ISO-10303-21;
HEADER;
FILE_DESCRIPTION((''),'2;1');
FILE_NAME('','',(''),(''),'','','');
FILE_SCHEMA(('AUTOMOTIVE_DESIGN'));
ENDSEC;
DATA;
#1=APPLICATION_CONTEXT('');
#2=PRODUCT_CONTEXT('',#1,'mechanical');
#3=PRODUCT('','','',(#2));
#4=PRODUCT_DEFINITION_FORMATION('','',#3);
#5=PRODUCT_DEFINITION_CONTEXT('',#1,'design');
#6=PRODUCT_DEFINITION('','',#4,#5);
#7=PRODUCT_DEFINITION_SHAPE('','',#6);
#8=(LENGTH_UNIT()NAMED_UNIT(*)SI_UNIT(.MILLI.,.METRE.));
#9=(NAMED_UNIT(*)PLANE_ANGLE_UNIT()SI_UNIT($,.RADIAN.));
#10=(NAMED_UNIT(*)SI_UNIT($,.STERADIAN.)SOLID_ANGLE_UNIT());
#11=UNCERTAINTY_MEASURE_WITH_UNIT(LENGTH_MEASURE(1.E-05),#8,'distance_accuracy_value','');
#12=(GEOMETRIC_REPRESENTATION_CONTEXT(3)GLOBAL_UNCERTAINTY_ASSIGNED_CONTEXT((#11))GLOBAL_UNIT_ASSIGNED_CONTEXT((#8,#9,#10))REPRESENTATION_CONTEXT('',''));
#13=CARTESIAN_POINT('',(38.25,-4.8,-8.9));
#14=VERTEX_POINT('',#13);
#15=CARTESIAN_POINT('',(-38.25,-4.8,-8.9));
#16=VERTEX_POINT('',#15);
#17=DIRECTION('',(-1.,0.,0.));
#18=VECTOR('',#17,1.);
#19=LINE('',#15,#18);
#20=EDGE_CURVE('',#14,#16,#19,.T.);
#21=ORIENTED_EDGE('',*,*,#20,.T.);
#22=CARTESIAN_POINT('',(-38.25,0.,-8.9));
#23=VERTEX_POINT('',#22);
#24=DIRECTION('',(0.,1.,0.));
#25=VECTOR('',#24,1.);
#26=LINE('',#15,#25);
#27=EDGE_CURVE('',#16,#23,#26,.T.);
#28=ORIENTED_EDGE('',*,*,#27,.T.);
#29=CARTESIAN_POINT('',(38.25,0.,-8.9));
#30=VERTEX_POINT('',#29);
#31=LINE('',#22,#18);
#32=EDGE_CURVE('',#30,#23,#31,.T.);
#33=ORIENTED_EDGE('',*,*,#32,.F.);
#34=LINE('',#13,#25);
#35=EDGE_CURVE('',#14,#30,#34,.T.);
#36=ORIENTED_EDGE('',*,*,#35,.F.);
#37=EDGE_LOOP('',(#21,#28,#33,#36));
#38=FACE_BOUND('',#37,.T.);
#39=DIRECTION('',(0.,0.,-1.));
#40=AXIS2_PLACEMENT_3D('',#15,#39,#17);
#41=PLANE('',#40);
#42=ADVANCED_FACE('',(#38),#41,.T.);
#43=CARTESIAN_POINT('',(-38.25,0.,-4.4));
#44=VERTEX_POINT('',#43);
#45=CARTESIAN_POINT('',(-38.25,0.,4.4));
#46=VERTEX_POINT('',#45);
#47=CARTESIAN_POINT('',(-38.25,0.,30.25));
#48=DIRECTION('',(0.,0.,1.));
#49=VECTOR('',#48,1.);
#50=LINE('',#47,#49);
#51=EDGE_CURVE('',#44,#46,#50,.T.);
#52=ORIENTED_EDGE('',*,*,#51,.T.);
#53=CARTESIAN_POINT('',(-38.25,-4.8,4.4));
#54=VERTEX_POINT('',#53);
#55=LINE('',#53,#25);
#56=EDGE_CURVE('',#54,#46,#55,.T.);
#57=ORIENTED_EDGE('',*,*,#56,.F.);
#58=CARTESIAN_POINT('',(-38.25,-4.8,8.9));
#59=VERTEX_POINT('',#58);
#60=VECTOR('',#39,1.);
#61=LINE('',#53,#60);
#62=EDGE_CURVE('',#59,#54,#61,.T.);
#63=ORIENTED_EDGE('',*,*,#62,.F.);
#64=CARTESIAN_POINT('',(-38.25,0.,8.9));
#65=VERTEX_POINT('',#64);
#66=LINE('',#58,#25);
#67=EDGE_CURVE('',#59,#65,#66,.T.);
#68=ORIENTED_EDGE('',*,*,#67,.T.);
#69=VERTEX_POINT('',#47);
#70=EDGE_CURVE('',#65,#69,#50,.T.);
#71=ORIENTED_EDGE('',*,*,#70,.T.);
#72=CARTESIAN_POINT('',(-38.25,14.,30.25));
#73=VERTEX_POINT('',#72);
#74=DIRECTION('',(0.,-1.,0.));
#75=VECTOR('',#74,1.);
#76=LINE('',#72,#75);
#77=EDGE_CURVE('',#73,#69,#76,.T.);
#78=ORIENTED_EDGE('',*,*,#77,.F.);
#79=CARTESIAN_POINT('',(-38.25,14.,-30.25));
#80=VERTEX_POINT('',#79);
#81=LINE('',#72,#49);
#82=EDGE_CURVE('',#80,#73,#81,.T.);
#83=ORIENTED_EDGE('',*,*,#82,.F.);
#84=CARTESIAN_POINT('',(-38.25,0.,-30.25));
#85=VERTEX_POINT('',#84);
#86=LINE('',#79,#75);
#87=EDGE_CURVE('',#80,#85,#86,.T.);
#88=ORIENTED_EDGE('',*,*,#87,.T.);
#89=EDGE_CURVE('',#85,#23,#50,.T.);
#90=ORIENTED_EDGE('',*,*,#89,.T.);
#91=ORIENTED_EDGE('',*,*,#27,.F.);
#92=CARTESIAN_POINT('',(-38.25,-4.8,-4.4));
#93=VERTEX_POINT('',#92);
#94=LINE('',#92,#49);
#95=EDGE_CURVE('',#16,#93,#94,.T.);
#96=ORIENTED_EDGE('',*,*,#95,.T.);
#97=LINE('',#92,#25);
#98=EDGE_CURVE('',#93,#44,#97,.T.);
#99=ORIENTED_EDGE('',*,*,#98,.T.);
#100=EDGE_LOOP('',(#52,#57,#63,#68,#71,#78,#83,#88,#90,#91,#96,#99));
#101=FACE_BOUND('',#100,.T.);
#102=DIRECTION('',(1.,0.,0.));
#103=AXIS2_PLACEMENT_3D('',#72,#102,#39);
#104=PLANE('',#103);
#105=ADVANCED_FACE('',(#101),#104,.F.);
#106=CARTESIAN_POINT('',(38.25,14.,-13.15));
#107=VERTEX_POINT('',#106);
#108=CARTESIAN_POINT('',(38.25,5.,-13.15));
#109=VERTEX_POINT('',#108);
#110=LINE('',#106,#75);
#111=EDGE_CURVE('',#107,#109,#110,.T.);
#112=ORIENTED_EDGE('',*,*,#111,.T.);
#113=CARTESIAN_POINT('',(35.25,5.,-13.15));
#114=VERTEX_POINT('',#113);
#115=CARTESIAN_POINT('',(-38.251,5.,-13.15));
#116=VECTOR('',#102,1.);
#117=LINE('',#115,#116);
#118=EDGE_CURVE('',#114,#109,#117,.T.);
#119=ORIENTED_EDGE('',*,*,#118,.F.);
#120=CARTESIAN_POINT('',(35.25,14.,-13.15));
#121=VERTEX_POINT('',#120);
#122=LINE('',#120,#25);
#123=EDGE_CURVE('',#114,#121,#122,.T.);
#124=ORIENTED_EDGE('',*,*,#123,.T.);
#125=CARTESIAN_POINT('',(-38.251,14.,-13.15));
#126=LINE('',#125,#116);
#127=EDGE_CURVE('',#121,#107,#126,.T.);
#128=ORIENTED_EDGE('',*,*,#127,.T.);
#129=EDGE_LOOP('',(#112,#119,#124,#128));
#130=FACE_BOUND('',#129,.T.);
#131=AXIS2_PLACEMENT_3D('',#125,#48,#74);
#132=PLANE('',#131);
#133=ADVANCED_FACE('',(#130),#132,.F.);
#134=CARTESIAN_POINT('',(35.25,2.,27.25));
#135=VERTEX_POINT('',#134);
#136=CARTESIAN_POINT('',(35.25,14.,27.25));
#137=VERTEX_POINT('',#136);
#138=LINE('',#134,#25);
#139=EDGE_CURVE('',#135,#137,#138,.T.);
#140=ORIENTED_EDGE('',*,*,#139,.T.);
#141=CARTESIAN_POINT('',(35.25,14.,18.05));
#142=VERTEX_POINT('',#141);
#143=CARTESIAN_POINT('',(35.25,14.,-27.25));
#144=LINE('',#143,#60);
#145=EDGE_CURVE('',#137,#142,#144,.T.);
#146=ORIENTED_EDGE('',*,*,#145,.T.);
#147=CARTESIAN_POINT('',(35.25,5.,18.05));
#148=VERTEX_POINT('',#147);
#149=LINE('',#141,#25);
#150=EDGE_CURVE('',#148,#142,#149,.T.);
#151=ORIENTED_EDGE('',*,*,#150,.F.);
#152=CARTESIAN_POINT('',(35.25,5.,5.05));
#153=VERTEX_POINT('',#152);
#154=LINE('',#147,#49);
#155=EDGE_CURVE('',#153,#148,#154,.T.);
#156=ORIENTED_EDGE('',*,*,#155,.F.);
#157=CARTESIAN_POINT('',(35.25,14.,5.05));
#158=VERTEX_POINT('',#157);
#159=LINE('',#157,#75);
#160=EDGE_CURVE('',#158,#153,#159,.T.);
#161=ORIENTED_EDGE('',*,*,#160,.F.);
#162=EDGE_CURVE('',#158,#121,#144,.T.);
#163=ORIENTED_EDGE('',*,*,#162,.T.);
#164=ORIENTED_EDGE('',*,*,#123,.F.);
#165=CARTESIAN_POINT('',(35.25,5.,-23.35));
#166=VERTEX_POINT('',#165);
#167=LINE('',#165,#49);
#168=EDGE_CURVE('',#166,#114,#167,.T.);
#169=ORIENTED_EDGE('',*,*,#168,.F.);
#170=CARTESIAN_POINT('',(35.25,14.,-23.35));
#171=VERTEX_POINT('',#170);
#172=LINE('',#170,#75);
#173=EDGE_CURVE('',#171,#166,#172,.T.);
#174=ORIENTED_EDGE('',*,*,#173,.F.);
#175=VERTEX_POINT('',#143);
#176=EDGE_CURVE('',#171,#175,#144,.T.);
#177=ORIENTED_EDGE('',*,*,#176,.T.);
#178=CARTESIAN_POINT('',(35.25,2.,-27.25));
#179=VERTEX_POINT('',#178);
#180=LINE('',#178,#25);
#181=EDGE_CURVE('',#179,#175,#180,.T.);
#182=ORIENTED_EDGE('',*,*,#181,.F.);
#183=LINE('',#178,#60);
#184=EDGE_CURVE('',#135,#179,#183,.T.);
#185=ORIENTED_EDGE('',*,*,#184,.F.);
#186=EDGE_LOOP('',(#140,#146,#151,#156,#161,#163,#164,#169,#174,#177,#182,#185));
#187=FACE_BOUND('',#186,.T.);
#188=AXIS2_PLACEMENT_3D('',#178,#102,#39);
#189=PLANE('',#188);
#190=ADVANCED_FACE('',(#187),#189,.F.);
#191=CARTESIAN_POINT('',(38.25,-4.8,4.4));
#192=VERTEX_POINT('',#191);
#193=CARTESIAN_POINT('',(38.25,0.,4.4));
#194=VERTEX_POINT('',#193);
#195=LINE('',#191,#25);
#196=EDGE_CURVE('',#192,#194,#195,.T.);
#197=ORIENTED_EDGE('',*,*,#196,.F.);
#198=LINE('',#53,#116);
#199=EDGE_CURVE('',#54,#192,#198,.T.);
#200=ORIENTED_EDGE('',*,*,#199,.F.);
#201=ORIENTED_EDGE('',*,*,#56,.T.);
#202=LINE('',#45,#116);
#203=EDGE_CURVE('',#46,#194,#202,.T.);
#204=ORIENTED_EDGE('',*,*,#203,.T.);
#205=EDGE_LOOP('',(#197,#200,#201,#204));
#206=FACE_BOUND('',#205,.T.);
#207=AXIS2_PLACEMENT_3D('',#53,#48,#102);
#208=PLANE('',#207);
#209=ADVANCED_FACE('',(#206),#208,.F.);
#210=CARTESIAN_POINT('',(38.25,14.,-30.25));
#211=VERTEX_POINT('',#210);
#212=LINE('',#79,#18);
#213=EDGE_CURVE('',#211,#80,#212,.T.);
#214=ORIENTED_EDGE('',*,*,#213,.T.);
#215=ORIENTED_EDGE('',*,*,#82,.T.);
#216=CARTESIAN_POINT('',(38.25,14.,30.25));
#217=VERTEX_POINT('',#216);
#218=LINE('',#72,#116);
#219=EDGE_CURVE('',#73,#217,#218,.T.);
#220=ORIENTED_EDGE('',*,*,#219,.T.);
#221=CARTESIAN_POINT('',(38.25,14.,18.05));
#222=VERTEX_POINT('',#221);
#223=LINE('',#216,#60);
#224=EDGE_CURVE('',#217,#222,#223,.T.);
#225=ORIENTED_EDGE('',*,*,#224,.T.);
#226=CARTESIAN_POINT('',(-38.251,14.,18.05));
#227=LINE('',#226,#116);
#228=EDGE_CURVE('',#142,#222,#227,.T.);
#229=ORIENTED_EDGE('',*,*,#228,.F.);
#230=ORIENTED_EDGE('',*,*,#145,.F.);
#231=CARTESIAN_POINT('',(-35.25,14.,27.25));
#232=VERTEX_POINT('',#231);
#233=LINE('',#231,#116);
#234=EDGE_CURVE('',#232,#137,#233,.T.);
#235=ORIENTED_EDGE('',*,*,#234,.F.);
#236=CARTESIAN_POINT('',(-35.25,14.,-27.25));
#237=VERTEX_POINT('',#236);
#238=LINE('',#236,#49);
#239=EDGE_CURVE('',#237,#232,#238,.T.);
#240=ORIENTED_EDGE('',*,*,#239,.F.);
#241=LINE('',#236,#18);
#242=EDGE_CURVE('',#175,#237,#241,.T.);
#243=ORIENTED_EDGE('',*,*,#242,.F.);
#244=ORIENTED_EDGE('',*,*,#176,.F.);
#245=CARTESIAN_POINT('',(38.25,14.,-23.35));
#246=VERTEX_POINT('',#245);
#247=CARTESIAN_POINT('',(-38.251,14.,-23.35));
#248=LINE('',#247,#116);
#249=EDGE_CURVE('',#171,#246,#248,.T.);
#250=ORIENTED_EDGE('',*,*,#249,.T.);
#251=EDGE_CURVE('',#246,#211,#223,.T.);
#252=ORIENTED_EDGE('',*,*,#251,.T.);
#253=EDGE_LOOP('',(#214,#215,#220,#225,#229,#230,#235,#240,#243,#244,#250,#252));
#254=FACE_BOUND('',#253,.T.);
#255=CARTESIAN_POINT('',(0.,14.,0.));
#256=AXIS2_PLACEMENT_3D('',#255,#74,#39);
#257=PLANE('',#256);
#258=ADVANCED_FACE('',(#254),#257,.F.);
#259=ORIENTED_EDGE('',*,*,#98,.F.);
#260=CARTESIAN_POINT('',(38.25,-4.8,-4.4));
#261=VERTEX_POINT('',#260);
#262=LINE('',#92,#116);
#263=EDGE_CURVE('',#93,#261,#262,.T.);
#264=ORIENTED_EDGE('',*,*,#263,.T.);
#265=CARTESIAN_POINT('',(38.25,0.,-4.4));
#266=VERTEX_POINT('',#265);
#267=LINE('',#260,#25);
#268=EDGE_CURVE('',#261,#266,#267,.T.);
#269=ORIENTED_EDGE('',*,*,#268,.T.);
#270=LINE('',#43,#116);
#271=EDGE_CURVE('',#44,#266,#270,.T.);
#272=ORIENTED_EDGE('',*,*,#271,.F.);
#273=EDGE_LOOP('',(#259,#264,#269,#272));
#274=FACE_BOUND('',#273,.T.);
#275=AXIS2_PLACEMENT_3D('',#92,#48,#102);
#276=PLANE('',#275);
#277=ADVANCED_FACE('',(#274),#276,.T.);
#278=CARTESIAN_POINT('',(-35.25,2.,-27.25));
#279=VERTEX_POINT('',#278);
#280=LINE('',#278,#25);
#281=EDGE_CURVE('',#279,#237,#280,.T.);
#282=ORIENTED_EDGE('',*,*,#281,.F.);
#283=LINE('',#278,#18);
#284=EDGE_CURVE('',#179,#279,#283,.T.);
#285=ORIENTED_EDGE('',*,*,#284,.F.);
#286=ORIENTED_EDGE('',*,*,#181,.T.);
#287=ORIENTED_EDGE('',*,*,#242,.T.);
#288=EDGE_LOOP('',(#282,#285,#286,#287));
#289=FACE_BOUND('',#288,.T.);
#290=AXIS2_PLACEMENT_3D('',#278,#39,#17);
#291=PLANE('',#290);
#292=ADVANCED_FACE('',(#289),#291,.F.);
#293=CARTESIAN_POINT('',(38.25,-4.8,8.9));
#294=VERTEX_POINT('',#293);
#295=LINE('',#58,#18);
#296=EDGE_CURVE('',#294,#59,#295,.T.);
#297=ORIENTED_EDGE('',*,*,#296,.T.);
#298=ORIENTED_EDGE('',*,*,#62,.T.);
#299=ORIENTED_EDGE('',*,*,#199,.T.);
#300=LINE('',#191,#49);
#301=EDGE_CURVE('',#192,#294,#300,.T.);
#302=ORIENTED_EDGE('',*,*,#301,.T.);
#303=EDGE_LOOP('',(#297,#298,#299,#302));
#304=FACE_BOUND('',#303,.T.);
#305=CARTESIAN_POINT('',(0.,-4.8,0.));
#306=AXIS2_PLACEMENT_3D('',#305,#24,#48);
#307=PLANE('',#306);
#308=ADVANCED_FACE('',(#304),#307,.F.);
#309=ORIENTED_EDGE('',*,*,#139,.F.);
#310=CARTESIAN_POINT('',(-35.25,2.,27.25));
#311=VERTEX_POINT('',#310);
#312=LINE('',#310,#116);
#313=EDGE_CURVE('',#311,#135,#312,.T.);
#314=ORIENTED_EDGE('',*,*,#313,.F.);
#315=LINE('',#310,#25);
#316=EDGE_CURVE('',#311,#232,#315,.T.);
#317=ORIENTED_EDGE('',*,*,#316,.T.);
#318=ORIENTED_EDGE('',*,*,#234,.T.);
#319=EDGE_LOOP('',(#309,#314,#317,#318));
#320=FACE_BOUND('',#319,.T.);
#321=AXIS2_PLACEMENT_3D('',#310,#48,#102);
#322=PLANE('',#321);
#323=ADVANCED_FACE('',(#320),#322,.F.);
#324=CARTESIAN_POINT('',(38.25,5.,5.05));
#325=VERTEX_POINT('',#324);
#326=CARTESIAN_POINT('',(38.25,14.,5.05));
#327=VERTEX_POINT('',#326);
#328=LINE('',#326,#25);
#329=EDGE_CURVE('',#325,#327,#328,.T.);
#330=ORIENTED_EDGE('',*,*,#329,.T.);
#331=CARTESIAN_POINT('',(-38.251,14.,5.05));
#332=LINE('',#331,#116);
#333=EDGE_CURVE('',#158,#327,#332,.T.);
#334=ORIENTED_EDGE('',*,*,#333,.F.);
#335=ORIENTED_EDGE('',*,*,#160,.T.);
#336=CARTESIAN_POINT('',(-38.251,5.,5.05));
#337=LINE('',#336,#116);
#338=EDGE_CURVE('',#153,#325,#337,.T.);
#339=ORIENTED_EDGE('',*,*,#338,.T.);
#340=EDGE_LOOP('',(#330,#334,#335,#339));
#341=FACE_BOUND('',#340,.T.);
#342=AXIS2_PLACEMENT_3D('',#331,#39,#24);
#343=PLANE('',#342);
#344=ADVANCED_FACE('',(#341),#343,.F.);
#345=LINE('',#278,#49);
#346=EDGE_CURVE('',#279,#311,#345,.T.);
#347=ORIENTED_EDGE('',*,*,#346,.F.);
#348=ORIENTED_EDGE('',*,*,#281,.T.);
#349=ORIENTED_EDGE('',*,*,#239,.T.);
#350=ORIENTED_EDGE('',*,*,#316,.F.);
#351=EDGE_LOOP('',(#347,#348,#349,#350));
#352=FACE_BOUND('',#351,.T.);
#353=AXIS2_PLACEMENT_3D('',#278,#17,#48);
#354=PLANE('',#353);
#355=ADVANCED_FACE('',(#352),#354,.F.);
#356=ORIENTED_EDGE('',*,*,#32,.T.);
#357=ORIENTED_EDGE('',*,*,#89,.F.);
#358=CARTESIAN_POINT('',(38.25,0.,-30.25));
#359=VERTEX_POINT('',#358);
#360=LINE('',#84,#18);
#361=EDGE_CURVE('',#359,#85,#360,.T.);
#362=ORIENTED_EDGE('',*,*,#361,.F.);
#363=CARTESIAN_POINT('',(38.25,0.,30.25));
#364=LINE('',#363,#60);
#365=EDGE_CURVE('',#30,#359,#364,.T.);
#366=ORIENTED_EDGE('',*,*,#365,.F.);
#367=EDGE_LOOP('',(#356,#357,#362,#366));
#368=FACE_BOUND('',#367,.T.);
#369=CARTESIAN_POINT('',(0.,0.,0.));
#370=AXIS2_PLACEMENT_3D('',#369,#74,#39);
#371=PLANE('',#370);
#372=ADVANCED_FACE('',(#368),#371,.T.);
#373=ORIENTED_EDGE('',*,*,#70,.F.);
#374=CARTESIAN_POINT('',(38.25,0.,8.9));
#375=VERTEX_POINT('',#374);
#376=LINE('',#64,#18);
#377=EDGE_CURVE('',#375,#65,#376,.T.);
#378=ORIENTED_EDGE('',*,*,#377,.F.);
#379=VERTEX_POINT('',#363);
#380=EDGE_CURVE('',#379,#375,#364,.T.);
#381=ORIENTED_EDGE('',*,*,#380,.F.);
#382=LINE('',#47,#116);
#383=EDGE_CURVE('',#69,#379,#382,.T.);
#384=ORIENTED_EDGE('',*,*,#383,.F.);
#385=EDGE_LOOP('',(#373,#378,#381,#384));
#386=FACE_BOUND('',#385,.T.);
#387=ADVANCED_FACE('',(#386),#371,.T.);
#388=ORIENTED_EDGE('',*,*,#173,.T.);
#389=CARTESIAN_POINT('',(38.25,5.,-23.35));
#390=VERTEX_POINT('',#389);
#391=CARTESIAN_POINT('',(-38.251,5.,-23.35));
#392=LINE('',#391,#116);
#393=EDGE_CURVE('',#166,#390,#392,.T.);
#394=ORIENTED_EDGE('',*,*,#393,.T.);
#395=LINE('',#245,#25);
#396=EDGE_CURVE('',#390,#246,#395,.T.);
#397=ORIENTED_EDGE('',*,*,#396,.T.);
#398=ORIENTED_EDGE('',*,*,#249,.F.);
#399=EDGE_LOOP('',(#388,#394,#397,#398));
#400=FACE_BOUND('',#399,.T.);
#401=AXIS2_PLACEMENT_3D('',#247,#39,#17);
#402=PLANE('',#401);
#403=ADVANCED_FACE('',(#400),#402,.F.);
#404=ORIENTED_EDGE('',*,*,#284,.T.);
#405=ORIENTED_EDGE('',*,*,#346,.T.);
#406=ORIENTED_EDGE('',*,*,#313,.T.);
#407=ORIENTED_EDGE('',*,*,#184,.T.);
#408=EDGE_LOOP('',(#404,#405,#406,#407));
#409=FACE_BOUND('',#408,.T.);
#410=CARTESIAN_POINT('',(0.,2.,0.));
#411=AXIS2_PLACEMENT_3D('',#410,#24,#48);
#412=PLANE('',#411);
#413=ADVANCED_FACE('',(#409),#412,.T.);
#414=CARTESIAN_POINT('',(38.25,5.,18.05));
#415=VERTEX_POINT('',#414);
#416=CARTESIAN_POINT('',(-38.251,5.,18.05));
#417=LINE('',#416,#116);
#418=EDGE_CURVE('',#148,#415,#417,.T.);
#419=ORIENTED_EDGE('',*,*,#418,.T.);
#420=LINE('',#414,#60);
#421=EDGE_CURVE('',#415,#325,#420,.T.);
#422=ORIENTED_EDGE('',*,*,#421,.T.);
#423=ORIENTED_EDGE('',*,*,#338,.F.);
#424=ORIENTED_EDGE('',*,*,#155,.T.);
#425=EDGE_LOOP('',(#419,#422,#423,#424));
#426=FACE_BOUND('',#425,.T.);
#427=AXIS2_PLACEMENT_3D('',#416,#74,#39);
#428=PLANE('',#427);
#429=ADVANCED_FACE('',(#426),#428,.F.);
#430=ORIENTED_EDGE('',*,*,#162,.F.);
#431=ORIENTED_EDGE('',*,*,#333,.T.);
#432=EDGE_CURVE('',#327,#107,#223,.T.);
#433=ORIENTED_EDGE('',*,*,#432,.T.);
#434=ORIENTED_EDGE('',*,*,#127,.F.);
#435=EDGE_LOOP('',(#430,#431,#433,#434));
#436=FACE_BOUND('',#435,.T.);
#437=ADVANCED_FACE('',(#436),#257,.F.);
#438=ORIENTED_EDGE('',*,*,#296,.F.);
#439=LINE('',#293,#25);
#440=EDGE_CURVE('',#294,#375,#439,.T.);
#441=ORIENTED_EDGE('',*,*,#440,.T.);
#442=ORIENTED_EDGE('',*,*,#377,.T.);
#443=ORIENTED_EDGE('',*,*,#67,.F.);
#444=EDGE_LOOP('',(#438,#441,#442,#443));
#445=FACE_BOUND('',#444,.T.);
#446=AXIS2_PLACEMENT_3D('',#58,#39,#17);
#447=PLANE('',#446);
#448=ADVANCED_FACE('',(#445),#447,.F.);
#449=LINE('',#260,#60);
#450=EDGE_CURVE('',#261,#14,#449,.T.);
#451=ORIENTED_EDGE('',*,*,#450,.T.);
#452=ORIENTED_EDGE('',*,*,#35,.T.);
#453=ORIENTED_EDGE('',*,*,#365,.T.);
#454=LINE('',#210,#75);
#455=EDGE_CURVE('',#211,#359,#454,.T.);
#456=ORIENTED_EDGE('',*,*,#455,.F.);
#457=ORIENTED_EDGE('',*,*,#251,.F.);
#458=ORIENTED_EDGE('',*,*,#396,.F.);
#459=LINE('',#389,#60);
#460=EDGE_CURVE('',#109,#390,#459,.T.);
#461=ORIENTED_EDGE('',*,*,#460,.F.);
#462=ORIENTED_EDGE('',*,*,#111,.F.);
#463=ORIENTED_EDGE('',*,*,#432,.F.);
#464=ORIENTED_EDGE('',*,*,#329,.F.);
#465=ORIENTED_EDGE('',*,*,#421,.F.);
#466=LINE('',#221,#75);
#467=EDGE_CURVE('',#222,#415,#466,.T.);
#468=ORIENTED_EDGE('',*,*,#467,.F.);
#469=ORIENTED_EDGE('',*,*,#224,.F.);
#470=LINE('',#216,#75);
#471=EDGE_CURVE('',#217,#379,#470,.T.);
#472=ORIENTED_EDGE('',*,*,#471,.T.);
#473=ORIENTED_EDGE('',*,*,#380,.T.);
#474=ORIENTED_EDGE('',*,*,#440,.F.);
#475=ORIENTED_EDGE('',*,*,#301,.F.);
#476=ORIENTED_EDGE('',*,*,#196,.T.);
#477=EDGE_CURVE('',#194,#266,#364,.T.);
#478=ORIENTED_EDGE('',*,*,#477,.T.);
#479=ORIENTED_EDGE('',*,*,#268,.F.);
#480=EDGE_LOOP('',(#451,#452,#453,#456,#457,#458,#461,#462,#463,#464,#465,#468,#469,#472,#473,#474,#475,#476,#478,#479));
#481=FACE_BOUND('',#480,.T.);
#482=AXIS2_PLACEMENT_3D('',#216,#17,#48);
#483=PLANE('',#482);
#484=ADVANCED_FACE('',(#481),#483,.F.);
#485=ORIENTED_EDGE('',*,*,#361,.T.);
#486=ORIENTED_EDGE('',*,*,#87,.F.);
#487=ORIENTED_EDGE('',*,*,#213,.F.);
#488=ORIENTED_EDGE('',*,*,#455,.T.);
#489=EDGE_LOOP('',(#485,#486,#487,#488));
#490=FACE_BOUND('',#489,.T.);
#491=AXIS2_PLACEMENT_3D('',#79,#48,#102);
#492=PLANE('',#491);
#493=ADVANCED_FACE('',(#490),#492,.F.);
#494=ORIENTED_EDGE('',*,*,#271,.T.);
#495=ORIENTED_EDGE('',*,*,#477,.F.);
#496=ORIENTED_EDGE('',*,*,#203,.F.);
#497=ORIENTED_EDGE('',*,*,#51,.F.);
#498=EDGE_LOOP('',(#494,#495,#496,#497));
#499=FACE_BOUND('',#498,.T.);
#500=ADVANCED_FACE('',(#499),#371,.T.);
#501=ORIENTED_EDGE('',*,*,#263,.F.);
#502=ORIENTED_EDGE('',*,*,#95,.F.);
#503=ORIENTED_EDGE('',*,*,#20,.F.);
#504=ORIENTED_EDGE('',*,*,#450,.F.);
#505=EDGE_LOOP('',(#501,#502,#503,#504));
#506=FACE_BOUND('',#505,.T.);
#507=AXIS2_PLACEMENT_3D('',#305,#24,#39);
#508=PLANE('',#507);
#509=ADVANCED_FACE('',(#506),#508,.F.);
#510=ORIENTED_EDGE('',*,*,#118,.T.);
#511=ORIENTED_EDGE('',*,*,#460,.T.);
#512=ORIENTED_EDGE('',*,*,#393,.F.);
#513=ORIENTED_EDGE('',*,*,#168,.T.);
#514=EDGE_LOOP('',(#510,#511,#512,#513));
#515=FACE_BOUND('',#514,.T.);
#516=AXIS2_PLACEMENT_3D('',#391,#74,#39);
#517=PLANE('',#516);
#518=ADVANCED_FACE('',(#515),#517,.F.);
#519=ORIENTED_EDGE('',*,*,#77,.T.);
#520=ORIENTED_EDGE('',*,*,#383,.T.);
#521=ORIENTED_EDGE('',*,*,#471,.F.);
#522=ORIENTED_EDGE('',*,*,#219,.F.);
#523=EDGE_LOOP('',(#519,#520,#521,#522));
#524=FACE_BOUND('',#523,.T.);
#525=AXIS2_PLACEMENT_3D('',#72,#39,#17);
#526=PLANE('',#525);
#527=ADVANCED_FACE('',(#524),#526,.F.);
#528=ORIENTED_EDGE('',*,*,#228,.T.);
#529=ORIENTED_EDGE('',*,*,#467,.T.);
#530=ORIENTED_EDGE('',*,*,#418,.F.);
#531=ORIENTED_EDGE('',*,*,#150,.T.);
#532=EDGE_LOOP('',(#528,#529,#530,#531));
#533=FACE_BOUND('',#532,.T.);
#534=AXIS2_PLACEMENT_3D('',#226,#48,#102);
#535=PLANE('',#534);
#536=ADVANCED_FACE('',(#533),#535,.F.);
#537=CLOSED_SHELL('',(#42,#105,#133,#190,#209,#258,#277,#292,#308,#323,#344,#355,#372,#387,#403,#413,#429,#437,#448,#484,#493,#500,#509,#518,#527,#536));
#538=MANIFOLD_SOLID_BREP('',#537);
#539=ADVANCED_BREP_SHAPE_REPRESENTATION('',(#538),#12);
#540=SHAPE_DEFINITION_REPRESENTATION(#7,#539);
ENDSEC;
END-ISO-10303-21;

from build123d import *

# Parameters (mm, degrees)
SKETCH1_W           = 76.5
SKETCH1_H           = 60.5
BOSS_EXTRUDE1_DEPTH = 14
SKETCH2_W           = 70.5
SKETCH2_H           = 54.5
CUT_EXTRUDE1_DEPTH  = 12
CUT_EXTRUDE2_REACH  = 85.446
SKETCH4_W           = 13
SKETCH4_H           = 9
SKETCH4_W_2         = 10.2
SKETCH5_W           = 76.5
SKETCH5_H           = 4.5
BOSS_EXTRUDE3_DEPTH = 4.8


with BuildPart() as part:
    # Sketch1 → Boss-Extrude1 (new body)
    with BuildSketch(Plane(origin=(0, 0, 0), x_dir=(1, 0, 0), z_dir=(0, 1, 0))):
        Rectangle(SKETCH1_W, SKETCH1_H)
    extrude(amount=BOSS_EXTRUDE1_DEPTH)

    # Sketch2 → Cut-Extrude1 (cut)
    with BuildSketch(Plane(origin=(0, 14, 0), x_dir=(1, 0, 0), z_dir=(0, 1, 0))):
        Rectangle(SKETCH2_W, SKETCH2_H)
    extrude(amount=-CUT_EXTRUDE1_DEPTH, mode=Mode.SUBTRACT)

    # Sketch4 → Cut-Extrude2 (cut, up to next)
    with BuildSketch(Plane(origin=(38.25, 0, 0), x_dir=(0, 0, -1), z_dir=(1, 0, 0)), mode=Mode.PRIVATE) as cut_extrude2_sk1:
        with Locations((-11.55, 9.5)):
            Rectangle(SKETCH4_W, SKETCH4_H)
    cut_extrude2_tool1 = extrude(cut_extrude2_sk1.sketch, amount=-CUT_EXTRUDE2_REACH, mode=Mode.PRIVATE) & part.part
    # Sketch4 → Cut-Extrude2 (cut, up to next)
    with BuildSketch(Plane(origin=(38.25, 0, 0), x_dir=(0, 0, -1), z_dir=(1, 0, 0)), mode=Mode.PRIVATE) as cut_extrude2_sk2:
        with Locations((18.25, 9.5)):
            Rectangle(SKETCH4_W_2, SKETCH4_H)
    cut_extrude2_tool2 = extrude(cut_extrude2_sk2.sketch, amount=-CUT_EXTRUDE2_REACH, mode=Mode.PRIVATE) & part.part
    add(cut_extrude2_tool1.solids().sort_by_distance((38.25, 9.5, 11.55))[0], mode=Mode.SUBTRACT)
    add(cut_extrude2_tool2.solids().sort_by_distance((38.25, 9.5, -18.25))[0], mode=Mode.SUBTRACT)

    # Sketch5 → Boss-Extrude3 (add)
    with BuildSketch(Plane.XZ):
        with Locations((0, 6.65)):
            Rectangle(SKETCH5_W, SKETCH5_H)
    boss_extrude3 = extrude(amount=BOSS_EXTRUDE3_DEPTH)

    # Mirror1: Boss-Extrude3 across plane
    add(boss_extrude3.mirror(Plane.XY))


solid = part.part
